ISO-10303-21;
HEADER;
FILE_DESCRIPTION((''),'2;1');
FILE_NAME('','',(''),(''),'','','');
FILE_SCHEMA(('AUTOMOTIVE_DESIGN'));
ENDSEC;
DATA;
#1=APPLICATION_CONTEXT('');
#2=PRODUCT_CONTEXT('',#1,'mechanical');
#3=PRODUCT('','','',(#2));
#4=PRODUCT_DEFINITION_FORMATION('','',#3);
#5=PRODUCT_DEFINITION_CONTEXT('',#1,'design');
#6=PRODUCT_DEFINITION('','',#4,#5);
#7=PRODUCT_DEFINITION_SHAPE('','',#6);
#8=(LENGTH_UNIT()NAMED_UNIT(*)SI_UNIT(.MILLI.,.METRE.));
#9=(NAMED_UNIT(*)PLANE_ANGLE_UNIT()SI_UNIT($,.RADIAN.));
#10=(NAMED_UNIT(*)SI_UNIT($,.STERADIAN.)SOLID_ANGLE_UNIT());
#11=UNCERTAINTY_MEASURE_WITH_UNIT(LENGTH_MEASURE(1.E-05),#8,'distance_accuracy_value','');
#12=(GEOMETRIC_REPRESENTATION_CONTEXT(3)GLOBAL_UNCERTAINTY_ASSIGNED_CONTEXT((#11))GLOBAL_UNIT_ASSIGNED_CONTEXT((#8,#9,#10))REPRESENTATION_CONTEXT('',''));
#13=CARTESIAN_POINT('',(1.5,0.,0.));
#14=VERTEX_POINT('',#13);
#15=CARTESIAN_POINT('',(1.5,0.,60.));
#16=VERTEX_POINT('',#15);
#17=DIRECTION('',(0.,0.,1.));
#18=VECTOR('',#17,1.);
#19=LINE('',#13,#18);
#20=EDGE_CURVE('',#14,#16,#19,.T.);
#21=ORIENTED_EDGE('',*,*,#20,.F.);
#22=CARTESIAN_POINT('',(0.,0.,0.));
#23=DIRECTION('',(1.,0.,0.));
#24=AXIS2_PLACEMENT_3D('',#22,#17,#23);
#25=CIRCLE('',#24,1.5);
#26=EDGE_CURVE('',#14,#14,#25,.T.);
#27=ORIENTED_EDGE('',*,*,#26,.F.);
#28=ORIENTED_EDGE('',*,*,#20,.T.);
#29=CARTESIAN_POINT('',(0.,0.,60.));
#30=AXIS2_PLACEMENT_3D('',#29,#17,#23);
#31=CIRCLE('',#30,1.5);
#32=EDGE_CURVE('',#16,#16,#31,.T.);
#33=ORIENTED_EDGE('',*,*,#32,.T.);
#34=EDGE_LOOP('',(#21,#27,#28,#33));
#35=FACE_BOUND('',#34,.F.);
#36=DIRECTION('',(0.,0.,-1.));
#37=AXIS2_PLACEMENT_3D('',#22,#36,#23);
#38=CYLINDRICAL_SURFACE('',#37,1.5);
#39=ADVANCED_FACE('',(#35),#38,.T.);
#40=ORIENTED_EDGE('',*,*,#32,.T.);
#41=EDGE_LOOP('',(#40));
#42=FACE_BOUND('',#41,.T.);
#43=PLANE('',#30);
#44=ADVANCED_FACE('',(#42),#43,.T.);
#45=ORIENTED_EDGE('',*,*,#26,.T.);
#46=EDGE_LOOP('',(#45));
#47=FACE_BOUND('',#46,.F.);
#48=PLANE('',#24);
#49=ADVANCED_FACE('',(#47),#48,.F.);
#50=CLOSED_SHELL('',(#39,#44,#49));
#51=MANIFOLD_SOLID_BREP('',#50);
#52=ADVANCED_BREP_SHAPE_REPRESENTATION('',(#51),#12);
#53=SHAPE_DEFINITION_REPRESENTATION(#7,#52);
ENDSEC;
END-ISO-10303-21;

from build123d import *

# Parameters (mm, degrees)
SKETCH1_R           = 1.5
BOSS_EXTRUDE1_DEPTH = 60


with BuildPart() as part:
    # Sketch1 → Boss-Extrude1 (new body)
    with BuildSketch(Plane.XY):
        Circle(SKETCH1_R)
    extrude(amount=BOSS_EXTRUDE1_DEPTH)


solid = part.part
